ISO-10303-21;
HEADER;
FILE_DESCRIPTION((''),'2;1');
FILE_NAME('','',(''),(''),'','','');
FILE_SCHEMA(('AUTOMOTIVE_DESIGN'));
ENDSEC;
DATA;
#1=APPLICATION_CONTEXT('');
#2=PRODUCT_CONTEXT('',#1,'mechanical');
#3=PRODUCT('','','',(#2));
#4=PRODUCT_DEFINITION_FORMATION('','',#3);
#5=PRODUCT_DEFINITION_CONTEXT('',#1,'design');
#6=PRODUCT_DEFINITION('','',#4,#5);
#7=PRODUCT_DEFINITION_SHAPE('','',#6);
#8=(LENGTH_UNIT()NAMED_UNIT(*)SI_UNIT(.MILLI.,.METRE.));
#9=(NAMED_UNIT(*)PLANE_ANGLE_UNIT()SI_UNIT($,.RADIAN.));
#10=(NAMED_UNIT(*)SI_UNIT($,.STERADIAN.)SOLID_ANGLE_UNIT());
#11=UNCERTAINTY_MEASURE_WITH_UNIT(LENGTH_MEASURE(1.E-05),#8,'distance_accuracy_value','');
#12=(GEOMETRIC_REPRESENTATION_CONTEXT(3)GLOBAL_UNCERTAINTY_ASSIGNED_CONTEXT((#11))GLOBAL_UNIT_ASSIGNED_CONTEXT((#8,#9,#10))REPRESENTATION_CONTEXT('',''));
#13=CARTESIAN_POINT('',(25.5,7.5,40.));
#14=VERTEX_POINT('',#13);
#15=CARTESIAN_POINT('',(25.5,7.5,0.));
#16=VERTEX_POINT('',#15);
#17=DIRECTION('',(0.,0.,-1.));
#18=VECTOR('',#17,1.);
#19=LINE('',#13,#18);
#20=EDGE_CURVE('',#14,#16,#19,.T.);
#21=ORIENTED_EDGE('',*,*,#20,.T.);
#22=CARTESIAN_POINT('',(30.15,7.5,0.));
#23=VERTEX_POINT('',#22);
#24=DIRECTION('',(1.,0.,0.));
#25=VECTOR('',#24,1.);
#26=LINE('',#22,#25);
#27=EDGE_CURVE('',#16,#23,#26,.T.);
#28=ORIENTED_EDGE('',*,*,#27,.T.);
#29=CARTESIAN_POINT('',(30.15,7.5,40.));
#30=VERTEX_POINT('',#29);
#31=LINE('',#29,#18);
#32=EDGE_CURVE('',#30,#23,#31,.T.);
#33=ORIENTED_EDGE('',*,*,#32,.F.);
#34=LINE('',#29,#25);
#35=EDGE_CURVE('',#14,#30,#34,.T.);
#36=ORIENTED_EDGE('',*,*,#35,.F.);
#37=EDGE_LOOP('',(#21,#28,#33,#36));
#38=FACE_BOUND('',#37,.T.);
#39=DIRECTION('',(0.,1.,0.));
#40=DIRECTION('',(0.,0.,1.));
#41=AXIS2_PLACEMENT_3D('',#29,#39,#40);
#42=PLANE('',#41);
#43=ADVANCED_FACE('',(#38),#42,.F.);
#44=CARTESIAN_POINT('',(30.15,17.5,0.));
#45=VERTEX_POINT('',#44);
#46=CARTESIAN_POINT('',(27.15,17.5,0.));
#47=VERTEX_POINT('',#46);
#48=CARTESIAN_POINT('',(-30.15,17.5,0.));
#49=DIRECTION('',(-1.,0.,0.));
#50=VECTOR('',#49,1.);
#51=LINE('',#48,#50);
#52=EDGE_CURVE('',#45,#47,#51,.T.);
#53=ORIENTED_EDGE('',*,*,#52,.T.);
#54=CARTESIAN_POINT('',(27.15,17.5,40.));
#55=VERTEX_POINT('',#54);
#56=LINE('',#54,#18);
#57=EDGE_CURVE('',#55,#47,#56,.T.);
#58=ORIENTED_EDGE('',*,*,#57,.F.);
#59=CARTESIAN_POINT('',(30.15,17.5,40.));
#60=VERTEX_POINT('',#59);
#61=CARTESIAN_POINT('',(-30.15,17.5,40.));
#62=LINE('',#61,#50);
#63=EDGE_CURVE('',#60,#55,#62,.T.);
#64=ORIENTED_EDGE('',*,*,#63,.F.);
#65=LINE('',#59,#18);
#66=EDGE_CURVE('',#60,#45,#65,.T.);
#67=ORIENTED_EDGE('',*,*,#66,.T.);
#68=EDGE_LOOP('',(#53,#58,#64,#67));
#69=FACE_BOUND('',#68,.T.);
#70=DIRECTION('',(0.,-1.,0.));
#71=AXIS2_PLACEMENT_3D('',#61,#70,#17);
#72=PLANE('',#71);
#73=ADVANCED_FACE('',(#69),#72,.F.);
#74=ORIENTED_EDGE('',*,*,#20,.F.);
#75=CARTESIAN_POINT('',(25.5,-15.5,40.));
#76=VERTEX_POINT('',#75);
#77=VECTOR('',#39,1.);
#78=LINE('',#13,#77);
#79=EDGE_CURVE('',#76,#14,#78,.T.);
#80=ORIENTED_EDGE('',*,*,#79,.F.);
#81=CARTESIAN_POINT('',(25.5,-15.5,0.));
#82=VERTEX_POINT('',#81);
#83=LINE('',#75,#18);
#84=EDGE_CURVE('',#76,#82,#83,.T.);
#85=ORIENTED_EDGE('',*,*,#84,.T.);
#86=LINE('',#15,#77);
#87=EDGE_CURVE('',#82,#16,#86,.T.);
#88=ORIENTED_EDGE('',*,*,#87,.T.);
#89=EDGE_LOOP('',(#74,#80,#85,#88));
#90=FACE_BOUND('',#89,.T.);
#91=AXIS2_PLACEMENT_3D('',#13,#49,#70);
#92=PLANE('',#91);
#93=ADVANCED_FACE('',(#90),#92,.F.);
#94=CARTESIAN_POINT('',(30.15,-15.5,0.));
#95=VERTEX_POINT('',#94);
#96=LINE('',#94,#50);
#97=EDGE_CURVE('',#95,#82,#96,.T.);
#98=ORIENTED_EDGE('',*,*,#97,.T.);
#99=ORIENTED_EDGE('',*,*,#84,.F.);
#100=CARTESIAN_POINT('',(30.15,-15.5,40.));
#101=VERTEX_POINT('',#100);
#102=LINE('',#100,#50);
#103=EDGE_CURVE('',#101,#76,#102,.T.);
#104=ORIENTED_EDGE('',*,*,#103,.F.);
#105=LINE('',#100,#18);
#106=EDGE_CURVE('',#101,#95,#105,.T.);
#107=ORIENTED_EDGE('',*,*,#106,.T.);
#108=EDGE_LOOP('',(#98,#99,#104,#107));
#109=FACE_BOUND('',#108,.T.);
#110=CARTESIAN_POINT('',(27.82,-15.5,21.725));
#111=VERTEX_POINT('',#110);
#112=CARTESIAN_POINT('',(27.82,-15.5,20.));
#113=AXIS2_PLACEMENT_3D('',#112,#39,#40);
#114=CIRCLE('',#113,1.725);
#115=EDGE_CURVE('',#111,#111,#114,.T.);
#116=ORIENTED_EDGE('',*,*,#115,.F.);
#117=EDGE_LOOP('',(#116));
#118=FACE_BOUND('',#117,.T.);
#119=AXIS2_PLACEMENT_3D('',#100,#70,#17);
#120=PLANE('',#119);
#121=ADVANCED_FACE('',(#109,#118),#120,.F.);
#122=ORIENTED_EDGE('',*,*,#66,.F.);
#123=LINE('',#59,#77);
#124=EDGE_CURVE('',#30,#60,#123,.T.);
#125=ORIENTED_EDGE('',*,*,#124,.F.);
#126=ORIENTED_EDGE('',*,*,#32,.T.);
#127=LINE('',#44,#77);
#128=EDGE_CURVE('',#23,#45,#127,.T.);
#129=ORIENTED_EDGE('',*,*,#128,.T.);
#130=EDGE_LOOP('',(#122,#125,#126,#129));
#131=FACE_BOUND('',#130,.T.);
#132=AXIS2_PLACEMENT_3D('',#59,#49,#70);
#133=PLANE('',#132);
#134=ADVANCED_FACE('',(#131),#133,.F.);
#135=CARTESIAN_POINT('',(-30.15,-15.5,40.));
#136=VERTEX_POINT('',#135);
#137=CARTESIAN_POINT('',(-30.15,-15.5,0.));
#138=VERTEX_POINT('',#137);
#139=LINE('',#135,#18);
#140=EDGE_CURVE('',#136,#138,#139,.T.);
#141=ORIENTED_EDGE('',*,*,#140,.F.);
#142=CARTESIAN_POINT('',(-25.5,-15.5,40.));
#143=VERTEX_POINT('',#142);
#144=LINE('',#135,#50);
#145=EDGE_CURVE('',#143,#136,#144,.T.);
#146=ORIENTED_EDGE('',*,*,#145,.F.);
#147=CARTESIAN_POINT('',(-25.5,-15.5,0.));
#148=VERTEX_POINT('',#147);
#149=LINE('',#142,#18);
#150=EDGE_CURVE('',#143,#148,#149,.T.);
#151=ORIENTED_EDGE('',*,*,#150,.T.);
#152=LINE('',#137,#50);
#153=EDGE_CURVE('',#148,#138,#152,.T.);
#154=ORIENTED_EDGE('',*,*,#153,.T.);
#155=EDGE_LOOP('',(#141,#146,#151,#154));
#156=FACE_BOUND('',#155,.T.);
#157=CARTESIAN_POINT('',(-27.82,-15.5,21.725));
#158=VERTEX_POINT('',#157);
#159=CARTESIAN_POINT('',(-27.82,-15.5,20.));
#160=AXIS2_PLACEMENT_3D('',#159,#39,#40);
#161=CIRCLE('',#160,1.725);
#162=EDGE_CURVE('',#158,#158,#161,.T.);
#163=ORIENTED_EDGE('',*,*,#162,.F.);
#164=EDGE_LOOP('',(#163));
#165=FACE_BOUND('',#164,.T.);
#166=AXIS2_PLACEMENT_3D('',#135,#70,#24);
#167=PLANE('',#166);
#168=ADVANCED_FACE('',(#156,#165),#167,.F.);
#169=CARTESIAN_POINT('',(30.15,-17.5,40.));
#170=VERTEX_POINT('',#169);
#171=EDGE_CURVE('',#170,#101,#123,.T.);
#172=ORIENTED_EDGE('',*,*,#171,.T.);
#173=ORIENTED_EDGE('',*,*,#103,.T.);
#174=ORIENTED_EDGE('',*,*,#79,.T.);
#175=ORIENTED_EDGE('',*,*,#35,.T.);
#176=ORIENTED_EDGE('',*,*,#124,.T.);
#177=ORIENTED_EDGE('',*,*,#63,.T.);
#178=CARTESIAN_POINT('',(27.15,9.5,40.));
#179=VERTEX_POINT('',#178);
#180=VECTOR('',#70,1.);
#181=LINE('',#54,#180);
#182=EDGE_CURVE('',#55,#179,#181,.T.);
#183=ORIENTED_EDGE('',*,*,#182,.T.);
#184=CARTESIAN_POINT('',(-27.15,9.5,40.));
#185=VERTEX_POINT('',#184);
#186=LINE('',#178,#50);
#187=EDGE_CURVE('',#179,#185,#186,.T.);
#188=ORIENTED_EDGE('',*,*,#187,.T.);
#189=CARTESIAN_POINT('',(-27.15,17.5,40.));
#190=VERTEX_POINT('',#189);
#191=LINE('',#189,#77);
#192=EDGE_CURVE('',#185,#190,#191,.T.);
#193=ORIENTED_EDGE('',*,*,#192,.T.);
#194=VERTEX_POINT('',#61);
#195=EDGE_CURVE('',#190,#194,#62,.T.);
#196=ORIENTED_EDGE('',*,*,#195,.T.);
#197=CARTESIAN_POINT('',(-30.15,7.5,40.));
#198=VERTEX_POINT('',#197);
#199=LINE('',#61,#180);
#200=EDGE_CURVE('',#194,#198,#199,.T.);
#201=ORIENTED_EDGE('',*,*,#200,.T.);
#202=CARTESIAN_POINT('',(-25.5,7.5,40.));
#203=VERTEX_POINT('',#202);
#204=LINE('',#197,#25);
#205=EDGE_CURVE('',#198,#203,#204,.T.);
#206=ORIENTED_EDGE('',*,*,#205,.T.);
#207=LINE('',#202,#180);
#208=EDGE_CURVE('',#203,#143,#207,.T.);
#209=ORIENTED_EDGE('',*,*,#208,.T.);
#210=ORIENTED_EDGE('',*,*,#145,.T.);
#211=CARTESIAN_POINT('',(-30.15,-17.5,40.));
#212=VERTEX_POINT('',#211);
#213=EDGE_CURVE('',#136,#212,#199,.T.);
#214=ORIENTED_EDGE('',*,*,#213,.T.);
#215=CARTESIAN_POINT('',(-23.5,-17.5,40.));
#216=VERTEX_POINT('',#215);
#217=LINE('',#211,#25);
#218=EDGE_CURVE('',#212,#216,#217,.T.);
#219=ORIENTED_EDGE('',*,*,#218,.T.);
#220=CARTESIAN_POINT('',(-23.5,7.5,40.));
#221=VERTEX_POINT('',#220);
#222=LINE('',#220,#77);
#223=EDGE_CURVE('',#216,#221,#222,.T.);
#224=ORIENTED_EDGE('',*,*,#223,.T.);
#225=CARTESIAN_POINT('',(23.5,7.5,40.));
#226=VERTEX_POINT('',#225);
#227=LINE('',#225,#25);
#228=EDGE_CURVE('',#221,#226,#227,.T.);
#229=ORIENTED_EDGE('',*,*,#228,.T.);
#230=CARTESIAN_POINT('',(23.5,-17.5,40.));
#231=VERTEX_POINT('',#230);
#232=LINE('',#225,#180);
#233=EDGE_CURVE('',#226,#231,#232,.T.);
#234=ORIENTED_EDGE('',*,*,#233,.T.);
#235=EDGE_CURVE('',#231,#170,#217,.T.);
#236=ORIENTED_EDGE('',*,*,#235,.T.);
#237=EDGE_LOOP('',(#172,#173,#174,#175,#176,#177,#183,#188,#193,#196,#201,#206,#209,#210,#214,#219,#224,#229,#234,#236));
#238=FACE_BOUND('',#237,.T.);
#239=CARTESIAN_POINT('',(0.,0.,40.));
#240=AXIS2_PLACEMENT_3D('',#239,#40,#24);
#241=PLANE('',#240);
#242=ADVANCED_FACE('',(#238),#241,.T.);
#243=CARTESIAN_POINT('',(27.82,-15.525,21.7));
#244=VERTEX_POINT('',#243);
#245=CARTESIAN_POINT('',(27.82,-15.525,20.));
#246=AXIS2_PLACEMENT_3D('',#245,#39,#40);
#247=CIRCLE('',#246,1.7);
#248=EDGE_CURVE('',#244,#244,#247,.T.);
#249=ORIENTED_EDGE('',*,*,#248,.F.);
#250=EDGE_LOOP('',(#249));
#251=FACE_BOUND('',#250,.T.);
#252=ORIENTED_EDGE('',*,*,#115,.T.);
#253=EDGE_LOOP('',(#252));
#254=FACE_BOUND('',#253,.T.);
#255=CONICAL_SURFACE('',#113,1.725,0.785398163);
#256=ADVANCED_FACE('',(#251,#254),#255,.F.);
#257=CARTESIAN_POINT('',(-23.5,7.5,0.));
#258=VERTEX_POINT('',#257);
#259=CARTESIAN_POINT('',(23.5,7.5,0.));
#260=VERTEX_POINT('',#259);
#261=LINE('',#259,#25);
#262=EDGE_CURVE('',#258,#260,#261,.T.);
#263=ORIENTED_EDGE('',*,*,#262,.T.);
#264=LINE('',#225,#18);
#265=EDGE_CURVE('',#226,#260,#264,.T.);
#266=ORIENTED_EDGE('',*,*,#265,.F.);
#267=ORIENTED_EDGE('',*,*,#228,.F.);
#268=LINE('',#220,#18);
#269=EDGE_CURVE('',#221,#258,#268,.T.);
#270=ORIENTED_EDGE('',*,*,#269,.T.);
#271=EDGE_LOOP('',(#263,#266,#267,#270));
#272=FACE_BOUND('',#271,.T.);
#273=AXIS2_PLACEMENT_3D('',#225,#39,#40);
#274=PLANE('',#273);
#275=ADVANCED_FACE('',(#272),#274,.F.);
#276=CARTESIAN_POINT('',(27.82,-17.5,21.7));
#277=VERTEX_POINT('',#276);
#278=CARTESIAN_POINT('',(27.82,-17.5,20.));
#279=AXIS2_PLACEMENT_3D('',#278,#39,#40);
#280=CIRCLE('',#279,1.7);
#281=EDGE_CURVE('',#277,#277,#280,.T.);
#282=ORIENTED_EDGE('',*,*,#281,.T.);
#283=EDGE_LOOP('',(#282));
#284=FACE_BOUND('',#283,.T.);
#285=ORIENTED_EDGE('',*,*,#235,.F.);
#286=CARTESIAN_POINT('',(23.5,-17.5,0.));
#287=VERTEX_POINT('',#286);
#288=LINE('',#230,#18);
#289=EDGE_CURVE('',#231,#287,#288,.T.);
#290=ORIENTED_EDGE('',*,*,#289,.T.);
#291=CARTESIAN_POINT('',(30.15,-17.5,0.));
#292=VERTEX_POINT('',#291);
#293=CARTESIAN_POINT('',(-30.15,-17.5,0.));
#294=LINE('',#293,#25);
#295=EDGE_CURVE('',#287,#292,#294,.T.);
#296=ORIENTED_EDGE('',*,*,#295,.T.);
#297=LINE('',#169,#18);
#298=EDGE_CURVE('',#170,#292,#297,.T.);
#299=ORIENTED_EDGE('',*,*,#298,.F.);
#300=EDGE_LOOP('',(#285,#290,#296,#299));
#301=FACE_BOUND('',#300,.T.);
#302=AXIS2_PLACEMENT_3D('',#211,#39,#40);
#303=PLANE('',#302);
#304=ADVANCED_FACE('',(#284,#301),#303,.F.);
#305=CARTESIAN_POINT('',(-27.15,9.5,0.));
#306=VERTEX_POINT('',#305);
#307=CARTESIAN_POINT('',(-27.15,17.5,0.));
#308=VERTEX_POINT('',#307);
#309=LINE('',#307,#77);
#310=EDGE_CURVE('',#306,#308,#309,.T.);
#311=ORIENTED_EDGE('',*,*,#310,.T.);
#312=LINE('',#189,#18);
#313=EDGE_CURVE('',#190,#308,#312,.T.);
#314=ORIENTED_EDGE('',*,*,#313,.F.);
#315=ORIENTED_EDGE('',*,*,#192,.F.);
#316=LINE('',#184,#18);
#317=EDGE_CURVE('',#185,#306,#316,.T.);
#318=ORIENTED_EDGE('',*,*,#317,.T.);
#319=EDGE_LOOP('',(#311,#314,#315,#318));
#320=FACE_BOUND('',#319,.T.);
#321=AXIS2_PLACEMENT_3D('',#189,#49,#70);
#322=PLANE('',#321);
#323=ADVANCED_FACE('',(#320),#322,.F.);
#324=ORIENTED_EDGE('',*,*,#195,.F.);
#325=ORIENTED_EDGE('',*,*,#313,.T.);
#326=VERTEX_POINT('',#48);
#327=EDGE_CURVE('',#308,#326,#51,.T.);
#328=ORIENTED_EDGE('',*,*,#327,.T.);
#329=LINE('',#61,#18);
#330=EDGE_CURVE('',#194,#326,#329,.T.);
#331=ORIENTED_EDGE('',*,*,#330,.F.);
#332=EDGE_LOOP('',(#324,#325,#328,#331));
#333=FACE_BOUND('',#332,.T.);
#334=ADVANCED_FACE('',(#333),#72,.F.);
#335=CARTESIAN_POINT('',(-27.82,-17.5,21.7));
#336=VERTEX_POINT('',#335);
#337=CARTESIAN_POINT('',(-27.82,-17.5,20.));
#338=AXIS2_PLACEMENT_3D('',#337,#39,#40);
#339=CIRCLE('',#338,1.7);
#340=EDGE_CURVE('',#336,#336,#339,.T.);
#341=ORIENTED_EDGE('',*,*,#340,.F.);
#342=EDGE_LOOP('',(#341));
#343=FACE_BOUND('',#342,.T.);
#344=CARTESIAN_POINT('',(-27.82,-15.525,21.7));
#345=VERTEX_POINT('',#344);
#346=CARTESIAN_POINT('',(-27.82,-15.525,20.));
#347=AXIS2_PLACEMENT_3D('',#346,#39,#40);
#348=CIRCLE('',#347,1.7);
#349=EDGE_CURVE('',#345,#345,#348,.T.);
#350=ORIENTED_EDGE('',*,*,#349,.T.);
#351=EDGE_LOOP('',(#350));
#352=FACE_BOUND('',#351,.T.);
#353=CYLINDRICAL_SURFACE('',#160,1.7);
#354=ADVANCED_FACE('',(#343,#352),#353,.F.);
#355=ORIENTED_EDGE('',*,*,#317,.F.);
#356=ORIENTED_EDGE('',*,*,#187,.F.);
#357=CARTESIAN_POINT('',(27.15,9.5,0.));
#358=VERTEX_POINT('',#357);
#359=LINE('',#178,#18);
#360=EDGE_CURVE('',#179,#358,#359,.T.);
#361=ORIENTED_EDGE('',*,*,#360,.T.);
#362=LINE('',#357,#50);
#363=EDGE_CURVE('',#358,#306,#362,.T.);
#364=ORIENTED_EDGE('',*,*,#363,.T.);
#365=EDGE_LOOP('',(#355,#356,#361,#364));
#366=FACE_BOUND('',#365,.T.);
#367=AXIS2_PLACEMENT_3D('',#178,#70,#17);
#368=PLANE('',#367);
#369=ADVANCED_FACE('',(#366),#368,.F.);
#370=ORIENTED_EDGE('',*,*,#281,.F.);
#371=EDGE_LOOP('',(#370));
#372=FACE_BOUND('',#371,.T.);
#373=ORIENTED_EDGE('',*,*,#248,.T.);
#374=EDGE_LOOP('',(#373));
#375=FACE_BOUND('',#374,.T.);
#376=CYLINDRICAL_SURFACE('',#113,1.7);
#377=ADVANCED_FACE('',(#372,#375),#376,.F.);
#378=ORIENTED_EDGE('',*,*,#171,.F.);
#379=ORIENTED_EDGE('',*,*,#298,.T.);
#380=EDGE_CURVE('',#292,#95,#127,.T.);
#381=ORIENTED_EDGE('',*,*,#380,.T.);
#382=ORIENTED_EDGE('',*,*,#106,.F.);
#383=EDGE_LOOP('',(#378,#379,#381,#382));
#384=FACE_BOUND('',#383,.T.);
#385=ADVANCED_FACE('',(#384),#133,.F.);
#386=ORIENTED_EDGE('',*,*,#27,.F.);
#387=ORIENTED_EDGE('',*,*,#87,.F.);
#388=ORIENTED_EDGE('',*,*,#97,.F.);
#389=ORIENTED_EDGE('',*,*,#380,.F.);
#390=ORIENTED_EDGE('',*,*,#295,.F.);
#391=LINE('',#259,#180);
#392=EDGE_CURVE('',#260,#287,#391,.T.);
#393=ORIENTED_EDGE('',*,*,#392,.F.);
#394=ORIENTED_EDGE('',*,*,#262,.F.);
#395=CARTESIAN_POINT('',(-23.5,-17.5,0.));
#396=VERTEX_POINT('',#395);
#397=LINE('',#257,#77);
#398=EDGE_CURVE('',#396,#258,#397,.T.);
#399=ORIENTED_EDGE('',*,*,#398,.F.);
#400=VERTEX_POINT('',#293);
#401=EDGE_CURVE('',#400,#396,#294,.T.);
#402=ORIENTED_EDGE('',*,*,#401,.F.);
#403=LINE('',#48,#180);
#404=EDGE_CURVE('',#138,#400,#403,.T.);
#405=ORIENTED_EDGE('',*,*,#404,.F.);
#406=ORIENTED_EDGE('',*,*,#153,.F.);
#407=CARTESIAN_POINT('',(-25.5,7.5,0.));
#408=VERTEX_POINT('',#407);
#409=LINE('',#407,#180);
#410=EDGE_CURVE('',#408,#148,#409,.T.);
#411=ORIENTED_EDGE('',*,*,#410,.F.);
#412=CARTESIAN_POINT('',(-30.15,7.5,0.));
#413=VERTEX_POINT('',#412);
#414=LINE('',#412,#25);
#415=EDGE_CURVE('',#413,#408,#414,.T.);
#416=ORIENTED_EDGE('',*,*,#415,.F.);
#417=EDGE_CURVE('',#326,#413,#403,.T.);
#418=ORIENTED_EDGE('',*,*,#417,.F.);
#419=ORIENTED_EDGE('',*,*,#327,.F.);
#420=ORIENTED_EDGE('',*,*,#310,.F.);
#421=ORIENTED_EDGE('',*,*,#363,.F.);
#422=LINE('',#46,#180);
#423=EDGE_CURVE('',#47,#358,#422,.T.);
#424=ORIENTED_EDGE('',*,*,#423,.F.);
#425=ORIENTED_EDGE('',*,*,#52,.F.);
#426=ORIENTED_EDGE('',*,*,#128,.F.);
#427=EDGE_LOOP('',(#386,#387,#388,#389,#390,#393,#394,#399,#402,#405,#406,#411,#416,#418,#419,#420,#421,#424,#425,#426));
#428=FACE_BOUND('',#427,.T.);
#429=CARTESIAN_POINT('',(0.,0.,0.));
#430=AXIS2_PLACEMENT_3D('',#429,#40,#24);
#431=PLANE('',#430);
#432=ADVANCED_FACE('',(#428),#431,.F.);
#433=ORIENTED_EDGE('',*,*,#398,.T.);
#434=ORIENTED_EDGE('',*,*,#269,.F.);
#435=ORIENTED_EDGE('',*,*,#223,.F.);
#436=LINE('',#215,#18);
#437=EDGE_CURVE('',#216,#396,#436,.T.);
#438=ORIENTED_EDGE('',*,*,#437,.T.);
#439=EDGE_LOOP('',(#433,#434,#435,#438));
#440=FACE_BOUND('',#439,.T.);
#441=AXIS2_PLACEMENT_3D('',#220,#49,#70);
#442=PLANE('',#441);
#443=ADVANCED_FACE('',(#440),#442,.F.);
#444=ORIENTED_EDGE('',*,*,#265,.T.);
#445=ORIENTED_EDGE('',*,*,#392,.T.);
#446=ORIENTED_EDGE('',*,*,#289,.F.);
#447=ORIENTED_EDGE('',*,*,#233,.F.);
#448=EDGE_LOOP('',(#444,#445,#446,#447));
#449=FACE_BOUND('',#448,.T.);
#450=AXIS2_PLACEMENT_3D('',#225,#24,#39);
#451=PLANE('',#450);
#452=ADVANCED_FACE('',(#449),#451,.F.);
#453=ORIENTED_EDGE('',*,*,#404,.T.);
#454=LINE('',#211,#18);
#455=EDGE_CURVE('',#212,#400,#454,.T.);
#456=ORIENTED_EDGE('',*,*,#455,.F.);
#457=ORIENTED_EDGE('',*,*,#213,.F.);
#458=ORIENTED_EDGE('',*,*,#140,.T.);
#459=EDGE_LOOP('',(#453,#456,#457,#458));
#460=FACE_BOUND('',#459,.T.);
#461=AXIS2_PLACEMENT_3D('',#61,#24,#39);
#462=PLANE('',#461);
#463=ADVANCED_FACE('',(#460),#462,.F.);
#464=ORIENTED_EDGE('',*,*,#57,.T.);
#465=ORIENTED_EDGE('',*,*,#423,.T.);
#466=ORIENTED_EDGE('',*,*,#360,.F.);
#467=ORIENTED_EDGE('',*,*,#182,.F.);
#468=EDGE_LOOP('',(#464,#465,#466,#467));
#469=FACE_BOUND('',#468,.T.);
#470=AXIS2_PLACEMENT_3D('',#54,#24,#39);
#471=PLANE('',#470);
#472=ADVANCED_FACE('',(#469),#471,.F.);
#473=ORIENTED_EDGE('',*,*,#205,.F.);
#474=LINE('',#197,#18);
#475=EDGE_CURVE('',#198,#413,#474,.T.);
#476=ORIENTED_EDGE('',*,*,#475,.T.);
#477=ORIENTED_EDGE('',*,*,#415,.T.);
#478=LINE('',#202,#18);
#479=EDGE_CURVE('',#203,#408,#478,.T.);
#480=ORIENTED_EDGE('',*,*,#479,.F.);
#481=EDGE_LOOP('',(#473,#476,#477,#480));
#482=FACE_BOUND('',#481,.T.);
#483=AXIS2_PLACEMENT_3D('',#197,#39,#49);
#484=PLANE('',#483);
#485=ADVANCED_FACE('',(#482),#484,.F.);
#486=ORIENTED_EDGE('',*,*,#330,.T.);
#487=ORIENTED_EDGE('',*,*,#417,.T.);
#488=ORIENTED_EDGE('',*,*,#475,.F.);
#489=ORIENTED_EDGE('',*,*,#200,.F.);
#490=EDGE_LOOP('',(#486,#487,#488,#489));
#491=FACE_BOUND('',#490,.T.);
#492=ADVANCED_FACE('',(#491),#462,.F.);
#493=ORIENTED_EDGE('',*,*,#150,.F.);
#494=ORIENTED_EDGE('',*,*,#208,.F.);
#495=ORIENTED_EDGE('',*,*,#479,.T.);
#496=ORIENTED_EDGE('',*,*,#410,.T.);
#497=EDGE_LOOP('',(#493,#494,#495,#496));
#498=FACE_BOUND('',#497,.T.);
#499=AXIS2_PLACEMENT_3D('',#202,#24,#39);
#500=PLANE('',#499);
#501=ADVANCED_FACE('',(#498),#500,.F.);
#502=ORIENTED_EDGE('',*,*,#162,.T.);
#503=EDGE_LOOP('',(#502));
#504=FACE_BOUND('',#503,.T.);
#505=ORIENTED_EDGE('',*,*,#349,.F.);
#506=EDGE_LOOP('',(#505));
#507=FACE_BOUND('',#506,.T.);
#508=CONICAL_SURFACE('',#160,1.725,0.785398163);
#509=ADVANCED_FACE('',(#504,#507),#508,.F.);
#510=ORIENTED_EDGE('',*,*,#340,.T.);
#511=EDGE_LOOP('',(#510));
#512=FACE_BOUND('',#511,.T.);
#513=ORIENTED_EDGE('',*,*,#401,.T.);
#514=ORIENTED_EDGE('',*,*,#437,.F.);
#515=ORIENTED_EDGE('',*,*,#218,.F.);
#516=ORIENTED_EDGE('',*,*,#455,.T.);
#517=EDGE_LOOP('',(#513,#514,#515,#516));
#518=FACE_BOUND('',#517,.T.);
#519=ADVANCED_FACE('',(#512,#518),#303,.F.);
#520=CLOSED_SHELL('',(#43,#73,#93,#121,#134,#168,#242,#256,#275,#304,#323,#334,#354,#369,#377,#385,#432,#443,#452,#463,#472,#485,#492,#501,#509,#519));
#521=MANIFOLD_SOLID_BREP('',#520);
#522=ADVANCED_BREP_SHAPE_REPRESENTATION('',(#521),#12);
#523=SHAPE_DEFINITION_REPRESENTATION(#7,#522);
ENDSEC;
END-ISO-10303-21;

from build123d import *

# Parameters (mm, degrees)
SKETCH1_W                      = 60.3
SKETCH1_H                      = 35
BOSS_EXTRUDE1_DEPTH            = 40
SKETCH2_W                      = 47
SKETCH2_H                      = 25
SKETCH2_W_2                    = 54.3
SKETCH2_H_2                    = 8
SKETCH2_W_3                    = 4.65
SKETCH2_H_3                    = 23
CUT_EXTRUDE1_DEPTH             = 54.059141531
M3_CLEARANCE_HOLE2_D           = 3.4
M3_CLEARANCE_HOLE2_DEPTH       = 2
M3_CLEARANCE_HOLE2_CSINK_D     = 3.45
M3_CLEARANCE_HOLE2_CSINK_ANGLE = 90
M3_CLEARANCE_HOLE3_D           = 3.4
M3_CLEARANCE_HOLE3_DEPTH       = 2
M3_CLEARANCE_HOLE3_CSINK_D     = 3.45
M3_CLEARANCE_HOLE3_CSINK_ANGLE = 90


with BuildPart() as part:
    # Sketch1 → Boss-Extrude1 (new body)
    with BuildSketch(Plane.XY):
        Rectangle(SKETCH1_W, SKETCH1_H)
    extrude(amount=BOSS_EXTRUDE1_DEPTH)

    # Sketch2 → Cut-Extrude1 (cut, through all)
    with BuildSketch(Plane(origin=(0, 0, 0), x_dir=(-1, 0, 0), z_dir=(0, 0, -1))):
        with Locations((0, -5)):
            Rectangle(SKETCH2_W, SKETCH2_H)
        with Locations((0, 13.5)):
            Rectangle(SKETCH2_W_2, SKETCH2_H_2)
        with Locations((-27.825, -4)):
            Rectangle(SKETCH2_W_3, SKETCH2_H_3)
        with Locations((27.825, -4)):
            Rectangle(SKETCH2_W_3, SKETCH2_H_3)
    extrude(amount=-CUT_EXTRUDE1_DEPTH, mode=Mode.SUBTRACT)

    # M3 Clearance Hole2
    with Locations(Plane(origin=(0, -15.5, 0), x_dir=(1, 0, 0), z_dir=(0, 1, 0))):
        with Locations((-27.82, -20)):
            CounterSinkHole(M3_CLEARANCE_HOLE2_D / 2, M3_CLEARANCE_HOLE2_CSINK_D / 2, depth=M3_CLEARANCE_HOLE2_DEPTH, counter_sink_angle=M3_CLEARANCE_HOLE2_CSINK_ANGLE)

    # M3 Clearance Hole3
    with Locations(Plane(origin=(0, -15.5, 0), x_dir=(1, 0, 0), z_dir=(0, 1, 0))):
        with Locations((27.82, -20)):
            CounterSinkHole(M3_CLEARANCE_HOLE3_D / 2, M3_CLEARANCE_HOLE3_CSINK_D / 2, depth=M3_CLEARANCE_HOLE3_DEPTH, counter_sink_angle=M3_CLEARANCE_HOLE3_CSINK_ANGLE)


solid = part.part
